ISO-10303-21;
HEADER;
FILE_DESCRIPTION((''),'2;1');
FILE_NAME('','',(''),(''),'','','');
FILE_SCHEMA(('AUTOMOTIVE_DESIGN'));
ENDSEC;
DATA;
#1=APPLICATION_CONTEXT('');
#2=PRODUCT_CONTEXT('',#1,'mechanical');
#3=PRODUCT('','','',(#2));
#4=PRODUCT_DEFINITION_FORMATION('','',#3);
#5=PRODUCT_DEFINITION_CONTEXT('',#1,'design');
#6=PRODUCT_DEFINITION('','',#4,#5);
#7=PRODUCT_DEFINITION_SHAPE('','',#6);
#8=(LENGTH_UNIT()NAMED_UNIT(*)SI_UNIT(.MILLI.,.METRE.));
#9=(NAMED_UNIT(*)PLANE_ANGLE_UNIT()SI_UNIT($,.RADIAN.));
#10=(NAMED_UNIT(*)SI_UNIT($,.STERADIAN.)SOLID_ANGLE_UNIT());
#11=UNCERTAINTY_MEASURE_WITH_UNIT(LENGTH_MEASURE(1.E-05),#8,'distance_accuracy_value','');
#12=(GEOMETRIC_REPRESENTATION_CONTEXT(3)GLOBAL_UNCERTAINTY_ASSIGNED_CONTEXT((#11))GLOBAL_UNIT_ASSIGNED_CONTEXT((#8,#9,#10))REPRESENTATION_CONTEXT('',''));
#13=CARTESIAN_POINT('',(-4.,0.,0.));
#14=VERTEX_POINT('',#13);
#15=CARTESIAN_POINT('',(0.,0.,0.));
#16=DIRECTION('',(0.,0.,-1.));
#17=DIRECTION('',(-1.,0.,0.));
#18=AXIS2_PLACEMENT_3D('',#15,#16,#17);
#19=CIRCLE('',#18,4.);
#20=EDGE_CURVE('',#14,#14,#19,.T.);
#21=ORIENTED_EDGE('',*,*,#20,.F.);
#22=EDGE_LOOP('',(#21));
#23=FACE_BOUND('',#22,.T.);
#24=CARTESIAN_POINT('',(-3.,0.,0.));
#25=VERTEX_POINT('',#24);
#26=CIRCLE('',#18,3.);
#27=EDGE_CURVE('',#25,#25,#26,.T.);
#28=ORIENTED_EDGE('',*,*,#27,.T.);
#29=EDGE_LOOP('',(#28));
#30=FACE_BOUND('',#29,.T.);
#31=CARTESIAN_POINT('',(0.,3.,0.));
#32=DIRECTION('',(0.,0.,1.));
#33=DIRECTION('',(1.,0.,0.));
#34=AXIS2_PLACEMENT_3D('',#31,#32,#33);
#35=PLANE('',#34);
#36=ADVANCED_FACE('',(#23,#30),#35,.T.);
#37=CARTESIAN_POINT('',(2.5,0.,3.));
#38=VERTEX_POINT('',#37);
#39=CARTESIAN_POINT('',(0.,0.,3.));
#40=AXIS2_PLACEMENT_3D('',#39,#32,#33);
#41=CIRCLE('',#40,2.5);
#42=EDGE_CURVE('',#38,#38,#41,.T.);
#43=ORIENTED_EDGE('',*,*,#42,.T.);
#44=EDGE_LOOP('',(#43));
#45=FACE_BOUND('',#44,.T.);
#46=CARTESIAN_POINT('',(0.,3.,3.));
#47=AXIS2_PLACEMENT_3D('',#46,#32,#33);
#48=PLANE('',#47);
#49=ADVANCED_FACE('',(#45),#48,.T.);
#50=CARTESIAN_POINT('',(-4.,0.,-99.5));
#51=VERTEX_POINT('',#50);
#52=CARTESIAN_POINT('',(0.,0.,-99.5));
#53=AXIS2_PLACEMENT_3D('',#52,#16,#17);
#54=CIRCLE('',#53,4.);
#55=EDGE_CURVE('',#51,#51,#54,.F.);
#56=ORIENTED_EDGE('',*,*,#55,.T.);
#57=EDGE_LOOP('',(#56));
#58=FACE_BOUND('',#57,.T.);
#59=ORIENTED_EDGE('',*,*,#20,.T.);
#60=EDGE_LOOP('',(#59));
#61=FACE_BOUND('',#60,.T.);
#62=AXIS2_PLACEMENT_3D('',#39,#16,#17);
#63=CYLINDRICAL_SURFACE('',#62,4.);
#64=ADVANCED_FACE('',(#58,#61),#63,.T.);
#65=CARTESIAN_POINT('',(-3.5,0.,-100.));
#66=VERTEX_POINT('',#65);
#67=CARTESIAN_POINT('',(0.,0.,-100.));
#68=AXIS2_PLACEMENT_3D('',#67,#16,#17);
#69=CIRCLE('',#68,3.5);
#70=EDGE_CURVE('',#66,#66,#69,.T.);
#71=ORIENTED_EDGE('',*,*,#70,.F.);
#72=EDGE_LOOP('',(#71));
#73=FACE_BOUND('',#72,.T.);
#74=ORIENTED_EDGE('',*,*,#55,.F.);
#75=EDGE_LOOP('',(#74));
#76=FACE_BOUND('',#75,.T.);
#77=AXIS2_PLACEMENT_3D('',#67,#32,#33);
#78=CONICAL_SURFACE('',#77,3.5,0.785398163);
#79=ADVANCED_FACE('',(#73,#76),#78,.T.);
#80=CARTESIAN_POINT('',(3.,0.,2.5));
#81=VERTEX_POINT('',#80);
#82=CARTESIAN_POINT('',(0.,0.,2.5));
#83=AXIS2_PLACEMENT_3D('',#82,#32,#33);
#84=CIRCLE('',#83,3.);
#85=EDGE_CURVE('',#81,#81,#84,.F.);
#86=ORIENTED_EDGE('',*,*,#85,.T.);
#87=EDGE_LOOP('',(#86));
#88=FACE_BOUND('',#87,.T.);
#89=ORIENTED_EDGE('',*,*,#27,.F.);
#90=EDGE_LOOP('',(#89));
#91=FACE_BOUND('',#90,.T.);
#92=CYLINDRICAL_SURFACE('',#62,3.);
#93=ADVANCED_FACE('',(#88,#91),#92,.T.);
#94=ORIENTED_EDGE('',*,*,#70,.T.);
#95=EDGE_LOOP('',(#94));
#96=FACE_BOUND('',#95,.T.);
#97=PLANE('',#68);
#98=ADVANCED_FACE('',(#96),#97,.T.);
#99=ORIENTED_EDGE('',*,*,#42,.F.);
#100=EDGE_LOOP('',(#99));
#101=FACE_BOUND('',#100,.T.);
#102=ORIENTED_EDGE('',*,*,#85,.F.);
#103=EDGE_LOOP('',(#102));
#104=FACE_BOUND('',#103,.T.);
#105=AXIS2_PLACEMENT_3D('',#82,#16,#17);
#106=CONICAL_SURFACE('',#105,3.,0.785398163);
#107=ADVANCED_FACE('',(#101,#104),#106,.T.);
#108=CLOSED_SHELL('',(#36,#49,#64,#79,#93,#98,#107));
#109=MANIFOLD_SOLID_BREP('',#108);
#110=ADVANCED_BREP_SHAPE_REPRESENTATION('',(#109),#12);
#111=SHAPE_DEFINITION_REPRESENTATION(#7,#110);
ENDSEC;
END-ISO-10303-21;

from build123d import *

# Parameters (mm, degrees)
CHAMFER1_SIZE = 0.5


with BuildPart() as part:
    # Sketch1 → Revolve1 (revolve)
    with BuildSketch(Plane(origin=(0, 0, 0), x_dir=(0, 0, -1), z_dir=(1, 0, 0))):
        Polygon((-3, 0), (100, 0), (100, 4), (0, 4), (0, 3), (-3, 3), align=None)
    revolve(axis=Axis((0, 0, 3), (0, 0, 1)))

    # Chamfer1
    chamfer1_edges = [part.edges().sort_by_distance(p)[0] for p in [
        (0, -4, -100),
        (0, -3, 3),
    ]]
    chamfer(chamfer1_edges, length=CHAMFER1_SIZE)


solid = part.part
